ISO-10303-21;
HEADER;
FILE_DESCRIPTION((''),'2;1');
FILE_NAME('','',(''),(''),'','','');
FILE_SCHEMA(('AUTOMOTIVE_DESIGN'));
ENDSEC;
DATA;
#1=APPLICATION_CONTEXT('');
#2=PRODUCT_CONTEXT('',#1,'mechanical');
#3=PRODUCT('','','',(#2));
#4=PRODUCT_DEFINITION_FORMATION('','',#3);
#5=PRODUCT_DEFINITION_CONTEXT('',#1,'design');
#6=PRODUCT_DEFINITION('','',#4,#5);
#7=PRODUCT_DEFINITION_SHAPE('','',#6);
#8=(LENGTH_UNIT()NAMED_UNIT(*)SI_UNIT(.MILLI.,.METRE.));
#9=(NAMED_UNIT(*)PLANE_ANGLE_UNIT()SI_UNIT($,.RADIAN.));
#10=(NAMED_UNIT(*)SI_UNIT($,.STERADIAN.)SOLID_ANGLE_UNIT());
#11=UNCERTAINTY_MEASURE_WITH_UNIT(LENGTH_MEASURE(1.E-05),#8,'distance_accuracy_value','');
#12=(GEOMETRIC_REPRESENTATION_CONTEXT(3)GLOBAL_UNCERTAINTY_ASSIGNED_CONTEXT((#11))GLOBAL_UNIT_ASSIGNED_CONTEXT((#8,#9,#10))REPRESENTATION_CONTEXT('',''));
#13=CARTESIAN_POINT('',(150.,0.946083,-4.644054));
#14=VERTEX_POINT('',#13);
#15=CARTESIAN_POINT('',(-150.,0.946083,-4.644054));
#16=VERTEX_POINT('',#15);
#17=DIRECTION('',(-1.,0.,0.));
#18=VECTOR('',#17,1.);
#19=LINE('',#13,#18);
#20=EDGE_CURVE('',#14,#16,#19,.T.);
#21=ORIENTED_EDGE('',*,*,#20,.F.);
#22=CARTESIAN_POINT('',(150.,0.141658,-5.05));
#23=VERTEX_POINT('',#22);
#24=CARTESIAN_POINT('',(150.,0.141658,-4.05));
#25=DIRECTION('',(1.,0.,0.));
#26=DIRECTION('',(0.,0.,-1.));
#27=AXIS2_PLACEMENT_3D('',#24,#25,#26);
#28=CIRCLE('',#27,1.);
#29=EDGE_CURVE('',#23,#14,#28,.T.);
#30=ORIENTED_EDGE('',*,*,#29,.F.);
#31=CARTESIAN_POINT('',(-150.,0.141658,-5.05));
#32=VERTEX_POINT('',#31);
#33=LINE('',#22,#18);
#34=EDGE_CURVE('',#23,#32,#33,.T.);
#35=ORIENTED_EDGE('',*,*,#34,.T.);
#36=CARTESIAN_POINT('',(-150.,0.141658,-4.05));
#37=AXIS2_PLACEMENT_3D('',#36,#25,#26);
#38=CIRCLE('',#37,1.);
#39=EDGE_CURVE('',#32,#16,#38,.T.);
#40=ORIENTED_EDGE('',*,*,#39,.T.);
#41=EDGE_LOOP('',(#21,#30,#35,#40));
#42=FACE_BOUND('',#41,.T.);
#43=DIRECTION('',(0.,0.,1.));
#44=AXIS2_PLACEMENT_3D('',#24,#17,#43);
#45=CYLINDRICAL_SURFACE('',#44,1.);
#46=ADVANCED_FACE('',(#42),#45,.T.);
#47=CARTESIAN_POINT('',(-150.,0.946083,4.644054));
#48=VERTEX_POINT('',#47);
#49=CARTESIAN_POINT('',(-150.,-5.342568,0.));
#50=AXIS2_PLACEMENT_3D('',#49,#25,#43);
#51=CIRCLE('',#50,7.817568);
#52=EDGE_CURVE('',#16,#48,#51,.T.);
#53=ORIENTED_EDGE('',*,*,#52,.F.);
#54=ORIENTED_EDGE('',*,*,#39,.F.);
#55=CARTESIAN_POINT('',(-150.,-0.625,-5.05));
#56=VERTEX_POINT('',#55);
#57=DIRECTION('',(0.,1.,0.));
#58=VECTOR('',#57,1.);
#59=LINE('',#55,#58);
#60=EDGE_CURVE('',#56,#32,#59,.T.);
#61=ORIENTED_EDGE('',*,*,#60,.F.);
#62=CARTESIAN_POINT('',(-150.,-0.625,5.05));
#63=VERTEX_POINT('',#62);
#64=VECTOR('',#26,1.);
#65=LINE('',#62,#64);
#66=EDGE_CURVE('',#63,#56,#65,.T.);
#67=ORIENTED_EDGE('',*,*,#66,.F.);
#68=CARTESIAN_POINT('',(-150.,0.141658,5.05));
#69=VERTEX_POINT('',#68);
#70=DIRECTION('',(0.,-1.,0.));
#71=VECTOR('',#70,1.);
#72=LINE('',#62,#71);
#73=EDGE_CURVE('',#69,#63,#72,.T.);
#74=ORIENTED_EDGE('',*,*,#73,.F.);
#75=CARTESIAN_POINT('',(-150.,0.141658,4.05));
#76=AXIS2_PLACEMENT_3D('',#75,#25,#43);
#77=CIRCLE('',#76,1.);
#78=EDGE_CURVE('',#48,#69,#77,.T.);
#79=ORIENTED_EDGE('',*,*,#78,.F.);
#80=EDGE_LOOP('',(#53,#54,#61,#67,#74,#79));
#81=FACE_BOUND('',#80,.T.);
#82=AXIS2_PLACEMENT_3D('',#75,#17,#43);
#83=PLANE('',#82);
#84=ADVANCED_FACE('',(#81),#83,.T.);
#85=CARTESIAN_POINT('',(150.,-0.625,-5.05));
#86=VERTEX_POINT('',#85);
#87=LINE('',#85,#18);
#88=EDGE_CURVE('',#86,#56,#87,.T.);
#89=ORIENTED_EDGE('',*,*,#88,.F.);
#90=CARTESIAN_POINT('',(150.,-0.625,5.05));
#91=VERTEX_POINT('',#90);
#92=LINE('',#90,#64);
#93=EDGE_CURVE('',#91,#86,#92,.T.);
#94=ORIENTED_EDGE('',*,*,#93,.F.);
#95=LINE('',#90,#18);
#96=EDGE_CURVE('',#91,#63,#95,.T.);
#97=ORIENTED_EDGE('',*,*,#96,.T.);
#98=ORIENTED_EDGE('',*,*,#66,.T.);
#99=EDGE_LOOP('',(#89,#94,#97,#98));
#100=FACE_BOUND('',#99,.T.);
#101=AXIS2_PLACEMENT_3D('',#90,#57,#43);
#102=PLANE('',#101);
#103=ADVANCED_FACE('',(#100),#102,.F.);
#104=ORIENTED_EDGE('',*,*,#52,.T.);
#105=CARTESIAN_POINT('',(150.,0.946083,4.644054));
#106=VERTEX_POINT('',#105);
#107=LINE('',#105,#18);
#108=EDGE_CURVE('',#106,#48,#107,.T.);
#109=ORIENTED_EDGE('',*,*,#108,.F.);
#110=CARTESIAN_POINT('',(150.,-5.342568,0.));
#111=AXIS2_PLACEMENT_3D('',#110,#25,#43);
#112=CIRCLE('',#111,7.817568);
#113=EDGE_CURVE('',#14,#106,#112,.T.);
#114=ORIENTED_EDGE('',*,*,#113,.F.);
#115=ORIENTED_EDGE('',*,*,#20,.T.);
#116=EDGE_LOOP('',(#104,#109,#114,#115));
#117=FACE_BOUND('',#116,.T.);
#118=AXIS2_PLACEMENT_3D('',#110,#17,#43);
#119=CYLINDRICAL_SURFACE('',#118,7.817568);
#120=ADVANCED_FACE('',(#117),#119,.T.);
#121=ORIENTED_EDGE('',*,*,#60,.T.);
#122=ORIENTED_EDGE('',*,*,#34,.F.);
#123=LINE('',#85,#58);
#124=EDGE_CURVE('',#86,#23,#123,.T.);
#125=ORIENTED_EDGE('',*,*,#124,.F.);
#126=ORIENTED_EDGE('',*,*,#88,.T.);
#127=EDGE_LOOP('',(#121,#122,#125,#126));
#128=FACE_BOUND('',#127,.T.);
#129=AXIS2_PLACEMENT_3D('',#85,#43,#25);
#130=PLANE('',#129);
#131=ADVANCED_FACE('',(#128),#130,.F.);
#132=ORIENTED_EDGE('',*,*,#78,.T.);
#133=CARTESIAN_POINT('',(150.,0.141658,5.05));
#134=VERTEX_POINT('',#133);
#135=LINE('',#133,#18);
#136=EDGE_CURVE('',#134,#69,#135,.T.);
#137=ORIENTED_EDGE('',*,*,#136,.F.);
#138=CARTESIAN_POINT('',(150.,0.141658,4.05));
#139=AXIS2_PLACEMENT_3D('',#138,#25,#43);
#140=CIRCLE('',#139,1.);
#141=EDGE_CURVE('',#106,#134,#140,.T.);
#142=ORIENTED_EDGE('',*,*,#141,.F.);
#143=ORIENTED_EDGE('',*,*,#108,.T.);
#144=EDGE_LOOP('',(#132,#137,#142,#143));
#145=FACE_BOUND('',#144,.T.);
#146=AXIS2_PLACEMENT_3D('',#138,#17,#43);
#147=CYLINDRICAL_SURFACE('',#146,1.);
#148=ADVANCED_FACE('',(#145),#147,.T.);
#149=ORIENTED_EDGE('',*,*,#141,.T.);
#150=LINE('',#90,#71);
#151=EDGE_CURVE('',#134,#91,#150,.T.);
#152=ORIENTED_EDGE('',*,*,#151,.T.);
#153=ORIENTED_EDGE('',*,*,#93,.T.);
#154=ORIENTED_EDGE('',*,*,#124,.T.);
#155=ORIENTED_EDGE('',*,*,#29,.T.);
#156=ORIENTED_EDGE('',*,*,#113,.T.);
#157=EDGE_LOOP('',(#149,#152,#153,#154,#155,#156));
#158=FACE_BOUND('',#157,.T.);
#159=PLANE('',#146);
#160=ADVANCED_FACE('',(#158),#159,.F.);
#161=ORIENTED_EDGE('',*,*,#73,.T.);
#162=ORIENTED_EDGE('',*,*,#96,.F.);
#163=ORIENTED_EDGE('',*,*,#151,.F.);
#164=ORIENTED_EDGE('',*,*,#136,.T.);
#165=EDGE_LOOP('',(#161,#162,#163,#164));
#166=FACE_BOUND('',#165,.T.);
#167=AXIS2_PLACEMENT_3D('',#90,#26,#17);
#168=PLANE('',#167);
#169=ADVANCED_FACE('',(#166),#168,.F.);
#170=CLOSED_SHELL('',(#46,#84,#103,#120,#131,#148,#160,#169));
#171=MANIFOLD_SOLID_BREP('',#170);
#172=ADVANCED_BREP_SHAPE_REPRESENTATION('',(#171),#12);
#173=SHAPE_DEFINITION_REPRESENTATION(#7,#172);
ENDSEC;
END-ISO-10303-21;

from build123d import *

# Parameters (mm, degrees)
BOSS_EXTRUDE1_DEPTH = 150


with BuildPart() as part:
    # Sketch1 → Boss-Extrude1 (new body, symmetric)
    with BuildSketch(Plane(origin=(0, 0, 0), x_dir=(0, 0, -1), z_dir=(1, 0, 0))):
        with BuildLine():
            Line((-5.05, -0.625), (5.05, -0.625))
            Line((5.05, -0.625), (5.05, 0.141657769))
            ThreePointArc((5.05, 0.141657769), (4.942763552, 0.592183285), (4.644053518, 0.946083289))
            ThreePointArc((4.644053518, 0.946083289), (0, 2.475), (-4.644053518, 0.946083289))
            ThreePointArc((-4.644053518, 0.946083289), (-4.942763552, 0.592183285), (-5.05, 0.141657769))
            Line((-5.05, 0.141657769), (-5.05, -0.625))
        make_face()
    extrude(amount=BOSS_EXTRUDE1_DEPTH, both=True)


solid = part.part
